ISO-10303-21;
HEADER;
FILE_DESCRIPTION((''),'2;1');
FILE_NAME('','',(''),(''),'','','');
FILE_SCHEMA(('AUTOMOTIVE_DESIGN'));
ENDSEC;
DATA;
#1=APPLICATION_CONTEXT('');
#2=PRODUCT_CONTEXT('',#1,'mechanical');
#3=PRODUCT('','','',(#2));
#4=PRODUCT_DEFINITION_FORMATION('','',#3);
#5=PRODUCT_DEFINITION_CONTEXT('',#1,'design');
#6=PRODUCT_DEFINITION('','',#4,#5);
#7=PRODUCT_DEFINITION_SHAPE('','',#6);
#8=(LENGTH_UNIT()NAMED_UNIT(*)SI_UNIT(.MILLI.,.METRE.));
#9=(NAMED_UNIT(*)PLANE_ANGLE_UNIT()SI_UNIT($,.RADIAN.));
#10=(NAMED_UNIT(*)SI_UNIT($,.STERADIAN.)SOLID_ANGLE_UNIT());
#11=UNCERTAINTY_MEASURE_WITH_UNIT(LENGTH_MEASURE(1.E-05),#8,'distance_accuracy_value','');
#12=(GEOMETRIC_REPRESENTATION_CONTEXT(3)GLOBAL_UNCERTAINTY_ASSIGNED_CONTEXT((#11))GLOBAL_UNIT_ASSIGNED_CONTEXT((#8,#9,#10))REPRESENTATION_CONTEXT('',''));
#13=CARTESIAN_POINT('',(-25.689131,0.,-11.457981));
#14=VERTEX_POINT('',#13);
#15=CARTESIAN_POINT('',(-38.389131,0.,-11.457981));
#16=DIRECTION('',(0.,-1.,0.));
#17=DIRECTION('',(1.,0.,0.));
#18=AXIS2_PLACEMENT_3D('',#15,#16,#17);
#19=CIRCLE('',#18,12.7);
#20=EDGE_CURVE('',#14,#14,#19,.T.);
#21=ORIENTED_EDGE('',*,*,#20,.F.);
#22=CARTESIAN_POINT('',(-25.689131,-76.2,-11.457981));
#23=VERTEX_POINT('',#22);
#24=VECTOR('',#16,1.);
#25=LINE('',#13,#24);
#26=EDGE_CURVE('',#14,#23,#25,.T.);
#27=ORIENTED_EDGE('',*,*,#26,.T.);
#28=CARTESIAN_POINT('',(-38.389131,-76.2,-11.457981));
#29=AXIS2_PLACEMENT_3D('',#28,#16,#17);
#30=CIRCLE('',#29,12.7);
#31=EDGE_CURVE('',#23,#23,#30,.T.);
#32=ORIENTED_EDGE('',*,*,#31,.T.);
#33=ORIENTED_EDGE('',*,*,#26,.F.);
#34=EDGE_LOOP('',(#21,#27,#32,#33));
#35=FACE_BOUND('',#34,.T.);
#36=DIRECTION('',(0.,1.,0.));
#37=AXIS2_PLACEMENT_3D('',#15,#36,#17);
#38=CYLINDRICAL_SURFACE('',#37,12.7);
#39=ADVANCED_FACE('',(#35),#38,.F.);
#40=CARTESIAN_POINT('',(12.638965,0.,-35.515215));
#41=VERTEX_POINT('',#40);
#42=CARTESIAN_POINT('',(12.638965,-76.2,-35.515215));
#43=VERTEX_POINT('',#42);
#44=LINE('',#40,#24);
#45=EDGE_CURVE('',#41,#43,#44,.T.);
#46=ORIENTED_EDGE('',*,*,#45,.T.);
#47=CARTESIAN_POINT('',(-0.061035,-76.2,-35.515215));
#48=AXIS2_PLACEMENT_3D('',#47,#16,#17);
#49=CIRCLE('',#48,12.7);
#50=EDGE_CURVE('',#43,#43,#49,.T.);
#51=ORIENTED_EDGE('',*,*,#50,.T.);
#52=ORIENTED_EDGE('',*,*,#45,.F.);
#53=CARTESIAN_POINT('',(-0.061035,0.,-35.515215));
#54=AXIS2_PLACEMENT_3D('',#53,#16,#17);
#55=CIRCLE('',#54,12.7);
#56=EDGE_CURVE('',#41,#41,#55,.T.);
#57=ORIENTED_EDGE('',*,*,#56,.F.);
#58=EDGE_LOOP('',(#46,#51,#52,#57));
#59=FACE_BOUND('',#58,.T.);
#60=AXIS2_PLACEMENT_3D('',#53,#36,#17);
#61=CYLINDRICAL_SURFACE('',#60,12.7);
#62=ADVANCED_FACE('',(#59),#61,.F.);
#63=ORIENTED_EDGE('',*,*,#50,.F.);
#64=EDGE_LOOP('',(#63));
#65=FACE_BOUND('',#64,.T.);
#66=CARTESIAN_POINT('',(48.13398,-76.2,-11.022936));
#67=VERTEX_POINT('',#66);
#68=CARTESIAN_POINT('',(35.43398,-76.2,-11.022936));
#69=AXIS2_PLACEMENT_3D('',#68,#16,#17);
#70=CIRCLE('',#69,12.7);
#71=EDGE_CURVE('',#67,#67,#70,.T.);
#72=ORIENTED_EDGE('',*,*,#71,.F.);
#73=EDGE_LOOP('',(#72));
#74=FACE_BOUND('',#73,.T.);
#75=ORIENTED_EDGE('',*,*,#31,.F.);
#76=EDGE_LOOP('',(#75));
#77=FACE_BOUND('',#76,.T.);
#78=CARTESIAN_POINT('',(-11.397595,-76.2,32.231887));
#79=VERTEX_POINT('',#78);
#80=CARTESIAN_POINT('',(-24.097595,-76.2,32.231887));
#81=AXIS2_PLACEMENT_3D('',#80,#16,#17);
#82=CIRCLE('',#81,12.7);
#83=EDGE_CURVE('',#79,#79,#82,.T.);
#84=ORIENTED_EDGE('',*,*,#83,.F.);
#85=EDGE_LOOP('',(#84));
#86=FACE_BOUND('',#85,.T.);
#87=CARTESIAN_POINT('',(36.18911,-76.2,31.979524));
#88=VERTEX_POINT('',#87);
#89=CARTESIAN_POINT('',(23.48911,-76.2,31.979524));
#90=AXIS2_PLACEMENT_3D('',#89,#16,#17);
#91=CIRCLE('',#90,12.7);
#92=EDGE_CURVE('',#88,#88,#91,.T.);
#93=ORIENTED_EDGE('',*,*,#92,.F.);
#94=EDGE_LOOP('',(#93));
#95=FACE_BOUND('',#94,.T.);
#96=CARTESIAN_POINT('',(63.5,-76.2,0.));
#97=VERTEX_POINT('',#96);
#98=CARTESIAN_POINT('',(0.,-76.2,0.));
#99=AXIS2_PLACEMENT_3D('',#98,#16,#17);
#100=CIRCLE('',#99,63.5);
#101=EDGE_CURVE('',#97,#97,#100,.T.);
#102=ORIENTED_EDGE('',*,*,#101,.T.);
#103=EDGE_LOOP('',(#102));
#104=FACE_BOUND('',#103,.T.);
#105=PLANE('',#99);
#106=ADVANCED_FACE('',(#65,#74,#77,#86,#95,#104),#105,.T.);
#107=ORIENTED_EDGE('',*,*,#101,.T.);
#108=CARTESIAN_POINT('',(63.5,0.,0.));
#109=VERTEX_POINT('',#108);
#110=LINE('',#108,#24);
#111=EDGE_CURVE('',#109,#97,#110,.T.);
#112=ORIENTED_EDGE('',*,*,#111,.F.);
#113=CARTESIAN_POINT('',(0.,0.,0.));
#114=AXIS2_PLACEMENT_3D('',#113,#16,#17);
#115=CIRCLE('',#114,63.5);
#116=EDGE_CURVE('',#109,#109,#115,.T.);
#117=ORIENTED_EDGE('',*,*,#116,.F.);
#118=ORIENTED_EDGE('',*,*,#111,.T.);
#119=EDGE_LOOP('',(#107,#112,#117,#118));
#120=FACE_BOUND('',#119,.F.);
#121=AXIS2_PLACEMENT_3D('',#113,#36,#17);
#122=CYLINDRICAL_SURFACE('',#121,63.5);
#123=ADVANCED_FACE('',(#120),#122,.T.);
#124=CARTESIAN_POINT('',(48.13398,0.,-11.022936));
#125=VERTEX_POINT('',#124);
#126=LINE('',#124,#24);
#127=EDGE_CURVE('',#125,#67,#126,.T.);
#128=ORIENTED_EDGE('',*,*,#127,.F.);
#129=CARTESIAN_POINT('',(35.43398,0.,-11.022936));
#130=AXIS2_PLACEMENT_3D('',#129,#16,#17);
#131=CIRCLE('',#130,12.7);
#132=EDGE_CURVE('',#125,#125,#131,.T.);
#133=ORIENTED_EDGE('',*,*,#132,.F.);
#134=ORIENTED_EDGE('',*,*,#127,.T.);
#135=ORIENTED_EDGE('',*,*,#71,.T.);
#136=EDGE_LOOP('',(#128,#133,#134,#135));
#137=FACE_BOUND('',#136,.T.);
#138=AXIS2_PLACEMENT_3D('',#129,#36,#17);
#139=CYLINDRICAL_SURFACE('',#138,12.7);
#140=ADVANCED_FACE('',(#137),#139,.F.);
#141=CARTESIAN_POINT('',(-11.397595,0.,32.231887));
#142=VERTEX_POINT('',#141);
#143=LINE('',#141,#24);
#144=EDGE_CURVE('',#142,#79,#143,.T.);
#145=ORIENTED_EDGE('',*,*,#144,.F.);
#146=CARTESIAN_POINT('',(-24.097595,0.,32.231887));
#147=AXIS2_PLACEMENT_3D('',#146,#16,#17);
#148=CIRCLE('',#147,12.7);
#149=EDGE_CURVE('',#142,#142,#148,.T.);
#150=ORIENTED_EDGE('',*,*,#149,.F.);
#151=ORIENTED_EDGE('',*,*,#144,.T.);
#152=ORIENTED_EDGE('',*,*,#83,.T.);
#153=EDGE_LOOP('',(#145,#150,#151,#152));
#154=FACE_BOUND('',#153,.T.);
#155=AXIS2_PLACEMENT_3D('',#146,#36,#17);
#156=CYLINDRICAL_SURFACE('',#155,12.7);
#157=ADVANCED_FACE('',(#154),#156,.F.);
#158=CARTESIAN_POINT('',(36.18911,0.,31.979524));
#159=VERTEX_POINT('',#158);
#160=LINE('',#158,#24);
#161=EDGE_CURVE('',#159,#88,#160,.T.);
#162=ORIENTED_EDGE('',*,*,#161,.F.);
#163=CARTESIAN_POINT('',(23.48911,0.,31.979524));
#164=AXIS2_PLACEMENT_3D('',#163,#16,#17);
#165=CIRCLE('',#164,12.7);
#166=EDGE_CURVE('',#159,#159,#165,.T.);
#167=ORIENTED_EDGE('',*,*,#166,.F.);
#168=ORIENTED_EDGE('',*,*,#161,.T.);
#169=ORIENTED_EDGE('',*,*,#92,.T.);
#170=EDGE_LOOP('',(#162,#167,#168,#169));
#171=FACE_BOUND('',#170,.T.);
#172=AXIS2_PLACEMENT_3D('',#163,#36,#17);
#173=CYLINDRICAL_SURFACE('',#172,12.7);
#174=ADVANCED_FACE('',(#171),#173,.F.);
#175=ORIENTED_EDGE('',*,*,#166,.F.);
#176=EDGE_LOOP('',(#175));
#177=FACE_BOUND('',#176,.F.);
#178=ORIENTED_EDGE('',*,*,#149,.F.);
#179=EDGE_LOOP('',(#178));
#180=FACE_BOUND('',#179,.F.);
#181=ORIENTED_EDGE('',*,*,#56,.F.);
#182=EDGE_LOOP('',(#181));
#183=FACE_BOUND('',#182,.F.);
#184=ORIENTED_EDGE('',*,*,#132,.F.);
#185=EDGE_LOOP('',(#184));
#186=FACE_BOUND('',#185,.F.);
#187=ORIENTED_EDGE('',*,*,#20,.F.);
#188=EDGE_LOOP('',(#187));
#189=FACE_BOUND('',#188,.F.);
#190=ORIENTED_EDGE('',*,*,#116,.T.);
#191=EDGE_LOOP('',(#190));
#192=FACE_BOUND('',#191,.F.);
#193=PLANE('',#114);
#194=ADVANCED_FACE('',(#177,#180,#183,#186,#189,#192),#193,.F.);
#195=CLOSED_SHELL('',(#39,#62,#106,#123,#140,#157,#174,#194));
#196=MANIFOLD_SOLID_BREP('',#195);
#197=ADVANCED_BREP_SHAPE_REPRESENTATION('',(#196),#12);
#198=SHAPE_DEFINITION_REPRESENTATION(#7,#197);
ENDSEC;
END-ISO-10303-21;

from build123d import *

# Parameters (mm, degrees)
F0_R     = 63.5
F0_R_2   = 12.7
F1_DEPTH = 76.2


with BuildPart() as f1:
    # F0 (on Front) → F1 (new body)
    with BuildSketch(Plane.XZ):
        Circle(F0_R)
        with Locations((-0.061035, -35.515215)):
            Circle(F0_R_2, mode=Mode.SUBTRACT)
        with Locations((-38.389131, -11.457981)):
            Circle(F0_R_2, mode=Mode.SUBTRACT)
        with Locations((35.43398, -11.022936)):
            Circle(F0_R_2, mode=Mode.SUBTRACT)
        with Locations((-24.097595, 32.231887)):
            Circle(F0_R_2, mode=Mode.SUBTRACT)
        with Locations((23.48911, 31.979524)):
            Circle(F0_R_2, mode=Mode.SUBTRACT)
    extrude(amount=F1_DEPTH)


solid = f1.part
